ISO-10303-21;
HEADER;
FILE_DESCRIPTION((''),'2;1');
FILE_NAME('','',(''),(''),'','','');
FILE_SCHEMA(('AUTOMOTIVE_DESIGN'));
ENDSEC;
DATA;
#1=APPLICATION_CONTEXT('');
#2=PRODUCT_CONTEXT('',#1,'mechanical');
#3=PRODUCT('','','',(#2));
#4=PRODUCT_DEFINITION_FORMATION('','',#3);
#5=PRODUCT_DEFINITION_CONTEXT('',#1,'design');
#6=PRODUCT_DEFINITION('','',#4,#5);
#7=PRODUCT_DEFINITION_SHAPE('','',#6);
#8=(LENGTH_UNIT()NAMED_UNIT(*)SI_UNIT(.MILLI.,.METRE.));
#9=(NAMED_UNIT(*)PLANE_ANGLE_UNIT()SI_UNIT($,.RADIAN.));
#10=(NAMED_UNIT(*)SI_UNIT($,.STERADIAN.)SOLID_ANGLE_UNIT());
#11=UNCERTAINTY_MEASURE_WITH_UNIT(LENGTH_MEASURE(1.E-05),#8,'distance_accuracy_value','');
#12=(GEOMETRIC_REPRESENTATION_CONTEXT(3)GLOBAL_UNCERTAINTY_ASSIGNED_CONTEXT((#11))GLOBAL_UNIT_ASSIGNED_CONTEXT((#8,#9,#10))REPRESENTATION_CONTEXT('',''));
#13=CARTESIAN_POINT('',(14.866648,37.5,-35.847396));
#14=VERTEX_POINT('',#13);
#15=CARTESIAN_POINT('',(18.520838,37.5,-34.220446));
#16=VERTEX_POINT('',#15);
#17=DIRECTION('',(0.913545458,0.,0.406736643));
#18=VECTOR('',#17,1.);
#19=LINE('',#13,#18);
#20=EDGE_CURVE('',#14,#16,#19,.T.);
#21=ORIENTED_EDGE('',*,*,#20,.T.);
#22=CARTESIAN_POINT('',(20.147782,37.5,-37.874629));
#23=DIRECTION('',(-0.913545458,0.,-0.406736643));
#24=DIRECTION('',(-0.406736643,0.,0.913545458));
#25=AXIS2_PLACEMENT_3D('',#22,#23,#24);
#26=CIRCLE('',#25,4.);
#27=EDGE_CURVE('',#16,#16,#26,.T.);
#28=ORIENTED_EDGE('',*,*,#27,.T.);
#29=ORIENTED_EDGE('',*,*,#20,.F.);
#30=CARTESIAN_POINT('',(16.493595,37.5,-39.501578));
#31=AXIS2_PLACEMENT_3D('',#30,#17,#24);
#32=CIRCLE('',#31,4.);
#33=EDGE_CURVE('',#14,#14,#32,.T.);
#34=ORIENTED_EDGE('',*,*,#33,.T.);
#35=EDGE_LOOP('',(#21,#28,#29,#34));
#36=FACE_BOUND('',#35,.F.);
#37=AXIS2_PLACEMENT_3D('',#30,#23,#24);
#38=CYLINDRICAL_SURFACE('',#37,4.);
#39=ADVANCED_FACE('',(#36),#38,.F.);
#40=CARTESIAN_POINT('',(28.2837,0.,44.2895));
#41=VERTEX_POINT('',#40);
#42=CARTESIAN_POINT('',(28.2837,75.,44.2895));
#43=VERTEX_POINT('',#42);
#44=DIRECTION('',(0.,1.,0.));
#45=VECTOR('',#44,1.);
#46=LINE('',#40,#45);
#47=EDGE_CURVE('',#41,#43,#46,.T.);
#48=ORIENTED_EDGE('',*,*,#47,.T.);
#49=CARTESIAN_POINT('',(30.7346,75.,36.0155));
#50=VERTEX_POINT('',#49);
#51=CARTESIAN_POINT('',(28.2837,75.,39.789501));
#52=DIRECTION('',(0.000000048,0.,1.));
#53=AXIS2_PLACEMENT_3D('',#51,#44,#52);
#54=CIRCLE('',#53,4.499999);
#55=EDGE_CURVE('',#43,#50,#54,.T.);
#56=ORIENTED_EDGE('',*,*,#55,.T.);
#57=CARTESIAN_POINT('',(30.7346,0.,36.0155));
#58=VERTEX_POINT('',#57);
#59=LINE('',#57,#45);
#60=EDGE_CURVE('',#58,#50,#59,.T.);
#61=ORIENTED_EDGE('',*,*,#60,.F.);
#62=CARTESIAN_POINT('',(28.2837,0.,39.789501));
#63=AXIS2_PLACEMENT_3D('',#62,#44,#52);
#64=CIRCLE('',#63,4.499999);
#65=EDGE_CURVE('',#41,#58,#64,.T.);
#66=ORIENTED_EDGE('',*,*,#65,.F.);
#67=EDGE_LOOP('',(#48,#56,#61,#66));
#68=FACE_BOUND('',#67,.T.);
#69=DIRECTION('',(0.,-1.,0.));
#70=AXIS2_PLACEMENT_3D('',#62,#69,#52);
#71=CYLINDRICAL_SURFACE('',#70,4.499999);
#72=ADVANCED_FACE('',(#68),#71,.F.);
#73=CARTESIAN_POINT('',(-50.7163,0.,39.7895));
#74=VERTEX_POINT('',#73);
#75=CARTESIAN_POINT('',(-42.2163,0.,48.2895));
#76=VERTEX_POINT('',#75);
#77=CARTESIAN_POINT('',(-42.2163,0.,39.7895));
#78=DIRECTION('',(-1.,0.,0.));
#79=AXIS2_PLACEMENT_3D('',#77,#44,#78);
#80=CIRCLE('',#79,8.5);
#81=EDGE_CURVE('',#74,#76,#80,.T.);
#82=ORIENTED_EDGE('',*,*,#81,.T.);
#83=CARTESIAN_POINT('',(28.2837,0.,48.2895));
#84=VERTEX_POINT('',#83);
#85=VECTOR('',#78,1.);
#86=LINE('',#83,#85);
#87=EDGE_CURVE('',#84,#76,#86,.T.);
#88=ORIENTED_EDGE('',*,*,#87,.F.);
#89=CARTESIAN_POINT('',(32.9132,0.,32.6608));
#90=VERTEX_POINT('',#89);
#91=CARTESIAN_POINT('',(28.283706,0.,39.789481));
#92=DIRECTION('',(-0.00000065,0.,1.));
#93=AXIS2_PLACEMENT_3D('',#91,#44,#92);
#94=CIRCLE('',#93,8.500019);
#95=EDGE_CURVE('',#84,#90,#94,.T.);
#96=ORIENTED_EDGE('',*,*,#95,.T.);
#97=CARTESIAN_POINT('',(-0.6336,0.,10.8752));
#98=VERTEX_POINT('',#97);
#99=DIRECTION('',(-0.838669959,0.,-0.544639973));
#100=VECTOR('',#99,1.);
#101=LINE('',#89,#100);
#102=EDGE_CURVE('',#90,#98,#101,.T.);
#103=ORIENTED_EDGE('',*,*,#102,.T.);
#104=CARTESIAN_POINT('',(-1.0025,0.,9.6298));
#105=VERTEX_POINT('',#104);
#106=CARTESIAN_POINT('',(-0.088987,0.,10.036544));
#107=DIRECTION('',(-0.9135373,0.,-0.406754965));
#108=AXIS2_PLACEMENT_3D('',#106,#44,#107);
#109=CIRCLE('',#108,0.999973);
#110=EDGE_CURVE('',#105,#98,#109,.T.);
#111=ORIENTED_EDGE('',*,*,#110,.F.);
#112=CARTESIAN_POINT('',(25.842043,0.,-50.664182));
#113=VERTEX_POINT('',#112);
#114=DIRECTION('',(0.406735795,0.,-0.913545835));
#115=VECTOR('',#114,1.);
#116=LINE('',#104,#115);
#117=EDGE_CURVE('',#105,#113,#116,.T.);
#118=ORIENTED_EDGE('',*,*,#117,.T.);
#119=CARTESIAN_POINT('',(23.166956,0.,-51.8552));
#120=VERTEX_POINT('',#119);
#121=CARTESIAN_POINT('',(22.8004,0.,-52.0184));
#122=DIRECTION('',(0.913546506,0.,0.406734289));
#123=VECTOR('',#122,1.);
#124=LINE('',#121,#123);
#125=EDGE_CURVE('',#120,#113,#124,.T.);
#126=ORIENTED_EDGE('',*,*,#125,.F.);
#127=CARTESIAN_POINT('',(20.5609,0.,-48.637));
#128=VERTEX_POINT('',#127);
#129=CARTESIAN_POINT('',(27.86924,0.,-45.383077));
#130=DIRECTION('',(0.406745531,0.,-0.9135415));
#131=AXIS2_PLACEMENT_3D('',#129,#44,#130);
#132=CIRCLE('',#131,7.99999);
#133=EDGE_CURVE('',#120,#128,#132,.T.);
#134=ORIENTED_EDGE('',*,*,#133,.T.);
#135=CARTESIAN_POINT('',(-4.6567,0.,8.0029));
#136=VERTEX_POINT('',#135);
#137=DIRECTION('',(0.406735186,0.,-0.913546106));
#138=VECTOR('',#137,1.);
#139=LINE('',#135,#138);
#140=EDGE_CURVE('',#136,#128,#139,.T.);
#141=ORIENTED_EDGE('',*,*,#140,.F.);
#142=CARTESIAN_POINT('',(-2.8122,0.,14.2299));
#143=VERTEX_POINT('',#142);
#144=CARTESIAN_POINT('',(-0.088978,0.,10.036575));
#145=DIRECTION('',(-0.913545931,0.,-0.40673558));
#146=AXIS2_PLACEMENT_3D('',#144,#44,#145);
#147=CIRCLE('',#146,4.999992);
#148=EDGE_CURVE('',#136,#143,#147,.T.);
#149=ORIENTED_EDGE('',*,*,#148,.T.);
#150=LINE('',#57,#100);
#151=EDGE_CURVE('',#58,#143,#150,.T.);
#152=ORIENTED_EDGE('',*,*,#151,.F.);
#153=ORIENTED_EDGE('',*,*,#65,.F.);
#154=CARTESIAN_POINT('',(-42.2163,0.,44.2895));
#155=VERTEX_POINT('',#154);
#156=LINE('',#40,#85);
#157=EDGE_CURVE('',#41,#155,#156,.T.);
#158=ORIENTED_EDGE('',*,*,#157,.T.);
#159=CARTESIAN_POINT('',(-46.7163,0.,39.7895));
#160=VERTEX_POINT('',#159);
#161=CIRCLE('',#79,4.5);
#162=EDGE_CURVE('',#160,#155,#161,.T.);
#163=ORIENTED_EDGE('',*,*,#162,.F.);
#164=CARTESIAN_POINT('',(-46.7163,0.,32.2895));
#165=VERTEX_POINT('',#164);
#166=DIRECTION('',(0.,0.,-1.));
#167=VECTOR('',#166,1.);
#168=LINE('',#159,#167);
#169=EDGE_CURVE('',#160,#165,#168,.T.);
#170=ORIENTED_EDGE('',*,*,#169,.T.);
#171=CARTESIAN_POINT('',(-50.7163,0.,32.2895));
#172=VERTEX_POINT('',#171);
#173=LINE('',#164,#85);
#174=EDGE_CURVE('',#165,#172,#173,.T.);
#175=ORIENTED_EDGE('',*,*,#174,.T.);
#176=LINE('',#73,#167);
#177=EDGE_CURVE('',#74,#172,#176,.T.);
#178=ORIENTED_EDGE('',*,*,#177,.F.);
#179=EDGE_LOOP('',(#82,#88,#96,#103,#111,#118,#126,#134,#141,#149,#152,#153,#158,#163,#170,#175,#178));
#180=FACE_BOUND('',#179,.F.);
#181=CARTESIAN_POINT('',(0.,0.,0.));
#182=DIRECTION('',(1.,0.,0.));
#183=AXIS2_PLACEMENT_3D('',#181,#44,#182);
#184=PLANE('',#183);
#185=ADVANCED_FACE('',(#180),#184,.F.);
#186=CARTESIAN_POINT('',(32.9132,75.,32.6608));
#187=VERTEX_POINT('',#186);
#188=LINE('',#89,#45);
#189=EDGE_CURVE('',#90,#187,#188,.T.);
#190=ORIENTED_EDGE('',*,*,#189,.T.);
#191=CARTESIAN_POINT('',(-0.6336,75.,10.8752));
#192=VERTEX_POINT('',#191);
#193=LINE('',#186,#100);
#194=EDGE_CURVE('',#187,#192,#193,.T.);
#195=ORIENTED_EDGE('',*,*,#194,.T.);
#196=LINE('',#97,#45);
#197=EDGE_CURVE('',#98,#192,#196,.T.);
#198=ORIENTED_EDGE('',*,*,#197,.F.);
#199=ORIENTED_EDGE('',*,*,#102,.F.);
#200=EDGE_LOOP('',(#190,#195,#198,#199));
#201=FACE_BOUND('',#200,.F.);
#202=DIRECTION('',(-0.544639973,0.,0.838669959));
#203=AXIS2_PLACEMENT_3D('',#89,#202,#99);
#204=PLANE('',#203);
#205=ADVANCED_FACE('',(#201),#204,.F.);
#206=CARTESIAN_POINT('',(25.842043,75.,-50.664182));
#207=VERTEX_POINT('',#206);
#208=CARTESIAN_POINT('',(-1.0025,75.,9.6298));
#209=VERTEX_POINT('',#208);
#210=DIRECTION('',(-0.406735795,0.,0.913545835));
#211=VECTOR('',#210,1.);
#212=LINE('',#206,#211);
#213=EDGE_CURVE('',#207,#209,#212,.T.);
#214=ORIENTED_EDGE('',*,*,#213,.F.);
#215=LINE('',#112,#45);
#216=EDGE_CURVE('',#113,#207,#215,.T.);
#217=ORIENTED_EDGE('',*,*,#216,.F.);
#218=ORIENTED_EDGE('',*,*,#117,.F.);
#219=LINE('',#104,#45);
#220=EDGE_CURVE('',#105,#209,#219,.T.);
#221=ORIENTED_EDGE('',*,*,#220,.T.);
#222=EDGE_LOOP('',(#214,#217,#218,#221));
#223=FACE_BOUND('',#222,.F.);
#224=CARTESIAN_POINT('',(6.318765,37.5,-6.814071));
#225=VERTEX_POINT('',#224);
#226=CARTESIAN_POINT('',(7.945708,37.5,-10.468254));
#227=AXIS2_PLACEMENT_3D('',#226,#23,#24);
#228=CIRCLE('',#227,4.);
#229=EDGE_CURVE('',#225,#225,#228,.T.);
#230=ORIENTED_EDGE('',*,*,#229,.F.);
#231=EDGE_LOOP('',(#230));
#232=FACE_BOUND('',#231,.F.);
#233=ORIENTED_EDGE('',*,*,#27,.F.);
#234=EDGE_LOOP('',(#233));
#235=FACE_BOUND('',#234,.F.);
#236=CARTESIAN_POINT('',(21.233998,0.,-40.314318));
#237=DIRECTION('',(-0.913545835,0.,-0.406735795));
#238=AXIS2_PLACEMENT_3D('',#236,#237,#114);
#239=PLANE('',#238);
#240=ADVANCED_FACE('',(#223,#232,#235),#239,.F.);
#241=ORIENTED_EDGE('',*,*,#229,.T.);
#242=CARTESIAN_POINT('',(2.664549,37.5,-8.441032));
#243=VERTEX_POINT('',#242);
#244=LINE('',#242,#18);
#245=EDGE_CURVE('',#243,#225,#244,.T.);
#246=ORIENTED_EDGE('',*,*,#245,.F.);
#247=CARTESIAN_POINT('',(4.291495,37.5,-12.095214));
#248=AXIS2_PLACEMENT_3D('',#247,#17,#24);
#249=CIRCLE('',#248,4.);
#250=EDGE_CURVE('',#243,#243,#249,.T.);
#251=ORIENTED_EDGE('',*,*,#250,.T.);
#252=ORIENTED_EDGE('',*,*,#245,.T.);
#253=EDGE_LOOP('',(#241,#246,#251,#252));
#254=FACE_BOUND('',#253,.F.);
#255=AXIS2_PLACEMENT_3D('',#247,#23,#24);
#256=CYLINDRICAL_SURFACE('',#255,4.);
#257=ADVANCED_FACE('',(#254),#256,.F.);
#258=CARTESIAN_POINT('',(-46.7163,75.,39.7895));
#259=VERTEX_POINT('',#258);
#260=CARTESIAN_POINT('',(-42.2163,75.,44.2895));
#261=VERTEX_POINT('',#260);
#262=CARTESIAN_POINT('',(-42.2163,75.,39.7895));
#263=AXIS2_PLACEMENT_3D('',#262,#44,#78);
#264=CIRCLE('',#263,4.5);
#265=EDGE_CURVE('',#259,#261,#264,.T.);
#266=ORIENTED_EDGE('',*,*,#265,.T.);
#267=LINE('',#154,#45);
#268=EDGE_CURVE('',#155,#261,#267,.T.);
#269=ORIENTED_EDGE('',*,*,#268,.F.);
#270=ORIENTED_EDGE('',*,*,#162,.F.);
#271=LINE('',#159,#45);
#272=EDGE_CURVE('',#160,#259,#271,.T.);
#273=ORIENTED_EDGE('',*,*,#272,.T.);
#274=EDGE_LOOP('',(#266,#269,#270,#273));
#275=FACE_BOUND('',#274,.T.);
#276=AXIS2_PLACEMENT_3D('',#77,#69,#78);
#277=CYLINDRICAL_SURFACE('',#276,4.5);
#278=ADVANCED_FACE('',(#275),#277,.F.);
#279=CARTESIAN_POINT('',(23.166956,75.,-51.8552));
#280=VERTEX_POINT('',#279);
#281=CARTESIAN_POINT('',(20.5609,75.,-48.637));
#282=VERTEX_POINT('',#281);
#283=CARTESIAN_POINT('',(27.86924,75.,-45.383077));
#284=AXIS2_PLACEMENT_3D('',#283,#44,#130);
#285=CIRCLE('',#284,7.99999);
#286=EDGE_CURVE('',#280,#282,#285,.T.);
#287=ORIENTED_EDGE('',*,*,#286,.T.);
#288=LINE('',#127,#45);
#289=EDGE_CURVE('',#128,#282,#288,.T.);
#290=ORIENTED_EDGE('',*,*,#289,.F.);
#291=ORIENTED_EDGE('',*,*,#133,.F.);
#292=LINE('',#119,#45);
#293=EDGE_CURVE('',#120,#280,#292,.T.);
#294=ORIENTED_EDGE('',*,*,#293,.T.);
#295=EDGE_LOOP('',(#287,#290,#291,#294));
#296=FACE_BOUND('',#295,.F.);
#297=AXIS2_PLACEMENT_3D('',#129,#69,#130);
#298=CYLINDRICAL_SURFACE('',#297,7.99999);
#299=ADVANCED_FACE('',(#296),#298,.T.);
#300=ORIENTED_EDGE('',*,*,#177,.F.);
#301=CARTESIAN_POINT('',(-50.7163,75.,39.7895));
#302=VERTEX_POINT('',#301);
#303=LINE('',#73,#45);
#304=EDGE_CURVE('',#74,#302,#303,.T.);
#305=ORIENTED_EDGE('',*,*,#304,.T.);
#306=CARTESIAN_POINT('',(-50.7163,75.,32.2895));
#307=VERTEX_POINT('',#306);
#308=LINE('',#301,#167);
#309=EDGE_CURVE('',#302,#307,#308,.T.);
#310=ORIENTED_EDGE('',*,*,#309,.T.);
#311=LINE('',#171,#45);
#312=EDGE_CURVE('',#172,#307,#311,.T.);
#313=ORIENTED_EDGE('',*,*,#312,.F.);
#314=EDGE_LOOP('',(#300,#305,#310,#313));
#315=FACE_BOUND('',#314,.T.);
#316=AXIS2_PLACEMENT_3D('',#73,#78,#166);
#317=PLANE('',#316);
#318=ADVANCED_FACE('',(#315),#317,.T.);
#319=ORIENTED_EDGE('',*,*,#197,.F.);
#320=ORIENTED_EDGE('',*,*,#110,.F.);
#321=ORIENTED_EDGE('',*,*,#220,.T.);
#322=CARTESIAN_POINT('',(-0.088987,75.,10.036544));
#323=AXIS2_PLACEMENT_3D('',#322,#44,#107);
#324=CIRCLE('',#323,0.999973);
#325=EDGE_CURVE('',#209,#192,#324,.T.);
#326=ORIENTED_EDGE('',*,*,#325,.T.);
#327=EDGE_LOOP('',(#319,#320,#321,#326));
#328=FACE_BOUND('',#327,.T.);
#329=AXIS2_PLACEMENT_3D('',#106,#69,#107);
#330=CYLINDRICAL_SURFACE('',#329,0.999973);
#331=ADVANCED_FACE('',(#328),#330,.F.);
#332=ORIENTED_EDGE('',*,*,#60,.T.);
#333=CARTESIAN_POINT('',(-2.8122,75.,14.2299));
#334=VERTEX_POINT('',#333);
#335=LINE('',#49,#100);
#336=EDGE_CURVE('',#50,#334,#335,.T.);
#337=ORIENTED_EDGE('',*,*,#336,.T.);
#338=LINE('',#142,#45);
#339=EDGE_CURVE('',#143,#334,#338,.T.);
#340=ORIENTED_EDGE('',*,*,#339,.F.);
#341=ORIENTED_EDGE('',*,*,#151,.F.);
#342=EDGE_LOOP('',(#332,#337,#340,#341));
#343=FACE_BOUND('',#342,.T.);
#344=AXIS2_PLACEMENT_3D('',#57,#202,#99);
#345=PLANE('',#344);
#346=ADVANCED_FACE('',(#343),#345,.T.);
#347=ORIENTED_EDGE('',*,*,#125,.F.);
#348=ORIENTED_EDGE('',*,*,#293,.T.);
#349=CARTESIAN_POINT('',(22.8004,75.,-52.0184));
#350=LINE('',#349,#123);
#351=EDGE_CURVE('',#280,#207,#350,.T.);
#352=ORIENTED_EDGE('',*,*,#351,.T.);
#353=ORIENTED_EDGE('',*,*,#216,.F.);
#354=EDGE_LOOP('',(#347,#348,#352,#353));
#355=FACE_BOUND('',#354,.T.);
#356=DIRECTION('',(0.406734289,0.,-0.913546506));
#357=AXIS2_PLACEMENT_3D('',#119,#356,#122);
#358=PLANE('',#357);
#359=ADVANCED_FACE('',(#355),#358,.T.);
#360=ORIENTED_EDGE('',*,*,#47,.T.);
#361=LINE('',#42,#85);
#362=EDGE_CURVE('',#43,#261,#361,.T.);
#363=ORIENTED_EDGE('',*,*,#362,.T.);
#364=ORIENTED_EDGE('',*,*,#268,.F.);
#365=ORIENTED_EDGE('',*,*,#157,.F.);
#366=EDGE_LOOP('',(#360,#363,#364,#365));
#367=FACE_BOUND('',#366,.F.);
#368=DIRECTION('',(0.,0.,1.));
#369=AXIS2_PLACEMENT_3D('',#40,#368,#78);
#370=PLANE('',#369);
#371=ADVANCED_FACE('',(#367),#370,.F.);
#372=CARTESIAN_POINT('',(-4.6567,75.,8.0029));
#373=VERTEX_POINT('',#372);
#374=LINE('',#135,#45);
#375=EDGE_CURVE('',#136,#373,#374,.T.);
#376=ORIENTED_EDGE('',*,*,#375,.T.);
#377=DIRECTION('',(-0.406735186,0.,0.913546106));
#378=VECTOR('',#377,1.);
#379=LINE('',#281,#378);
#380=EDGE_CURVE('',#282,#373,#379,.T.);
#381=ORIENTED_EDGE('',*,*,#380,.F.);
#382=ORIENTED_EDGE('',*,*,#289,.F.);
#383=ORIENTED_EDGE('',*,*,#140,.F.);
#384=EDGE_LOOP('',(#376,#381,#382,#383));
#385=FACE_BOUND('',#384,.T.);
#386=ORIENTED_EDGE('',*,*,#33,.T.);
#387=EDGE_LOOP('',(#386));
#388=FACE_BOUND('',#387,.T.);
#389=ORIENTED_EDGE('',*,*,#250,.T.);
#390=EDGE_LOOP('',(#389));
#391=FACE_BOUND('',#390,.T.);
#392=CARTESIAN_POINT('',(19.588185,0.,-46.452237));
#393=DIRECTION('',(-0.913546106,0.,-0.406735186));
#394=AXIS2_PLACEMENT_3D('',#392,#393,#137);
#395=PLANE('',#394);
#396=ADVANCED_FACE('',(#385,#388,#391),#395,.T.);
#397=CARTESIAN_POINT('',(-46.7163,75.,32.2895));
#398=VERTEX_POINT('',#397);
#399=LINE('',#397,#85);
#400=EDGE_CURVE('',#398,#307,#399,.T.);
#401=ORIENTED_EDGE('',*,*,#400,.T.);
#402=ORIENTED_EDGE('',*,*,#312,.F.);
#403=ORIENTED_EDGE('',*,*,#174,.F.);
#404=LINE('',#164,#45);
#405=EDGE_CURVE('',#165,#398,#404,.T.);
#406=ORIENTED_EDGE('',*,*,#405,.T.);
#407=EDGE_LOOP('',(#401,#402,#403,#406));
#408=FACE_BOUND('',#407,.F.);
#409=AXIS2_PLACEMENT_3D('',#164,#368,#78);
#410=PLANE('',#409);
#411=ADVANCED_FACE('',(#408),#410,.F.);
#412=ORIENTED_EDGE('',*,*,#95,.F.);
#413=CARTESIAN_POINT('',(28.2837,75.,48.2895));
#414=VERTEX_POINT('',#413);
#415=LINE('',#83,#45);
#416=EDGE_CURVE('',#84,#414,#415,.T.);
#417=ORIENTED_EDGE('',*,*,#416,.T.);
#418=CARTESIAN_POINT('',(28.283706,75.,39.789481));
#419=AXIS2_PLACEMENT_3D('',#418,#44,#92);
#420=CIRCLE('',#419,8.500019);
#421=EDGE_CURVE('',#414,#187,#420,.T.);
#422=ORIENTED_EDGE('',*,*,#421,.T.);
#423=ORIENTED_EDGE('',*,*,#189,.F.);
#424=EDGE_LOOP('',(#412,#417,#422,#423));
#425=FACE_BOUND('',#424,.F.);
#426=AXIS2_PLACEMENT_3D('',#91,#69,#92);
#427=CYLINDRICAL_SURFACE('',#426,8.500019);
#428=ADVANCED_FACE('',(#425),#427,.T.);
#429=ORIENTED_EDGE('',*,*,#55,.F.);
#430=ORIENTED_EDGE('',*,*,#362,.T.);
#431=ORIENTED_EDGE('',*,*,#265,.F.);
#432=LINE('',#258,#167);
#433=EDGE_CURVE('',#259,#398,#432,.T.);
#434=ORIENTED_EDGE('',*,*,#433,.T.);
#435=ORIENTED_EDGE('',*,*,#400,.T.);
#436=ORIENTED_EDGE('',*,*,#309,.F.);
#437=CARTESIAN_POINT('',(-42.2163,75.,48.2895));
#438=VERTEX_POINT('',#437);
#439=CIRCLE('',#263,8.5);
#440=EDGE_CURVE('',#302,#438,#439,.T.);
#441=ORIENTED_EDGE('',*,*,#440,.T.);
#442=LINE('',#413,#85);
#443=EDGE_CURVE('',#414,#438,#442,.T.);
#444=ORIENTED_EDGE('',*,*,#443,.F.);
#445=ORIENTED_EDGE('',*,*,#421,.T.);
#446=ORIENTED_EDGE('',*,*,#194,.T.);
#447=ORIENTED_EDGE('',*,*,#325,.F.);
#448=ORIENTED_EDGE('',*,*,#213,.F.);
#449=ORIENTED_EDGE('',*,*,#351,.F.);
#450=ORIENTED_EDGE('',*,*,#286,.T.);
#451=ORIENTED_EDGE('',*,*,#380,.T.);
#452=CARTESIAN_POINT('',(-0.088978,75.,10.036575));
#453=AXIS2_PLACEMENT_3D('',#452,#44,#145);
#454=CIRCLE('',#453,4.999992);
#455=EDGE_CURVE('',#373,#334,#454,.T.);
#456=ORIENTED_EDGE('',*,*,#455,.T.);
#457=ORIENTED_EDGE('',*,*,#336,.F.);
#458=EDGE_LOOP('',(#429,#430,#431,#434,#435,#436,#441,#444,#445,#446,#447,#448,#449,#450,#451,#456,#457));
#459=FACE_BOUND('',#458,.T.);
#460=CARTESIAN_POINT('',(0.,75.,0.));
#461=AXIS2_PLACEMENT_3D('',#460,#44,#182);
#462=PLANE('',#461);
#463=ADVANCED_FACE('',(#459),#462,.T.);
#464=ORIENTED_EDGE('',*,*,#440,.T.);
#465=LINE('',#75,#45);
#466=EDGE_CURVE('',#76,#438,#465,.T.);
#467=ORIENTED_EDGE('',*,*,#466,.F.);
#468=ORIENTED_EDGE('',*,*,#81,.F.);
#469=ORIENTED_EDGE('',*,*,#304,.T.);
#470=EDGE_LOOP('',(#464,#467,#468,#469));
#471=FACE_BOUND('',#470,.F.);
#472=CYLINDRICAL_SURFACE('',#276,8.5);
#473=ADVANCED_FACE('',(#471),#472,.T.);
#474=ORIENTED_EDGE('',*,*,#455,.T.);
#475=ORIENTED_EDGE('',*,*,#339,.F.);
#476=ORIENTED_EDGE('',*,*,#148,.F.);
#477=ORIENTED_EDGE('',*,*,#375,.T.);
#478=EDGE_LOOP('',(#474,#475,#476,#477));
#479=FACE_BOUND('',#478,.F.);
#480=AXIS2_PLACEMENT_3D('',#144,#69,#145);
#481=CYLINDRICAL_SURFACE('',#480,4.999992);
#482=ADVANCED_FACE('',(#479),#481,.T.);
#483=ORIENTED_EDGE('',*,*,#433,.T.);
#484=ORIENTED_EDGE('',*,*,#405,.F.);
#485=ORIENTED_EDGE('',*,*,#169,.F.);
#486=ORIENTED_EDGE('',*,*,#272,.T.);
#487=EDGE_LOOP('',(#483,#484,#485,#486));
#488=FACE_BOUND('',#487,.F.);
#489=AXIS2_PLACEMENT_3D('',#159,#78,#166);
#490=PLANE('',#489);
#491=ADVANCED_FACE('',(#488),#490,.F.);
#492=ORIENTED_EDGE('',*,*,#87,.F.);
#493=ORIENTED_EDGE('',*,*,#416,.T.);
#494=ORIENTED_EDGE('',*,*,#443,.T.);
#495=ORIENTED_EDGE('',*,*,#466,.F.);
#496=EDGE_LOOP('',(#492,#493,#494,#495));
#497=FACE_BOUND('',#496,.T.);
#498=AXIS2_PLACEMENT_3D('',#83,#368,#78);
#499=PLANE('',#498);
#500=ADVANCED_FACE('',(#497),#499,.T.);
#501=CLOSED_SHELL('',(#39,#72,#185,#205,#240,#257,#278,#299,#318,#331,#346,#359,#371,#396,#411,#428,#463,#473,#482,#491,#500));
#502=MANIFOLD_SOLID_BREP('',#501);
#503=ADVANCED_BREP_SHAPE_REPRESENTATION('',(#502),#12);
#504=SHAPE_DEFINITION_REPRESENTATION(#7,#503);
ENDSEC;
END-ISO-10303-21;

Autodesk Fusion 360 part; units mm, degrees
sketch "Sketch1" plane through (0, 0, 0) normal (0, 1, 0) x (1, 0, 0)
  arc A0 (31.1232, 52.6914) -> (20.5609, 48.637) centre (27.8693, 45.3831) ccw
  line L0 (31.1232, 52.6914) -> (40.2587, 48.6241)
  arc A1 (28.2837, -48.2895) -> (32.9132, -32.6608) centre (28.2837, -39.7895) ccw
  line L1 (28.2837, -48.2895) -> (-42.2163, -48.2895)
  arc A2 (-4.6567, -8.0029) -> (-2.8122, -14.2299) centre (-0.089, -10.0365) ccw
  line L2 (22.8004, 52.0184) -> (38.6317, 44.9699)
  line L3 (-46.7163, -32.2895) -> (-50.7163, -32.2895)
  line L4 (35.3386, -39.0053) -> (-23.3345, -39.0053) construction
  arc A3 (28.2837, -44.2895) -> (30.7346, -36.0155) centre (28.2837, -39.7895) ccw
  line L5 (40.2587, 48.6241) -> (38.6317, 44.9699)
  line L6 (30.7346, -36.0155) -> (-2.8122, -14.2299)
  line L7 (-50.7163, -39.7895) -> (-50.7163, -32.2895)
  line L8 (32.9132, -32.6608) -> (-0.6336, -10.8752)
  arc A4 (-46.7163, -39.7895) -> (-42.2163, -44.2895) centre (-42.2163, -39.7895) ccw
  arc A5 (-50.7163, -39.7895) -> (-42.2163, -48.2895) centre (-42.2163, -39.7895) ccw
  line L9 (-4.6567, -8.0029) -> (20.5609, 48.637)
  line L10 (28.2837, -44.2895) -> (-42.2163, -44.2895)
  line L11 (-46.7163, -39.7895) -> (-46.7163, -32.2895)
  arc A6 (22.8004, 52.0184) -> (27.1963, 53.7059) centre (27.8693, 45.3831) ccw
  arc A7 (-1.0025, -9.6298) -> (-0.6336, -10.8752) centre (-0.089, -10.0365) ccw
  line L12 (-1.0025, -9.6298) -> (27.1963, 53.7059)
  point P0 (35.3386, -39.0053)
  point P1 (-46.7163, -44.2895)
  point P2 (23.8148, 55.9453)
  dimension "d1" = 33
  dimension "d2" = 66
  dimension "d3" = 4.5
  dimension "d4" = 5
  dimension "d5" = 12
  dimension "d6" = 18
  dimension "d10" = 75
  dimension "d11" = 70
  dimension "d12" = 40
  dimension "d13" = 8
  dimension "d14" = 4.5
extrude "Extrude1" add sketch "Sketch1" along normal blind 75 contours A0 L2 L9 A6 L12 | A1 L1 A2 L3 A3 L6 L7 L8 A4 A5 L9 L10 L11 A6 A7 L12
sketch "Sketch2" plane through (-0.9127, 0, -0.4064) normal (-0.9135, 0, -0.4067) x (-0.4067, 0, 0.9135)
  line L0 (-52.795, 0) -> (9.205, 0)
  line L1 (9.205, 0) -> (9.205, 75)
  line L2 (9.205, 75) -> (-52.795, 75)
  line L3 (-52.795, 75) -> (-52.795, 0)
  circle A0 centre (-42.795, 37.5) radius 4
  circle A1 centre (-12.795, 37.5) radius 4
  line L4 (-31.6238, 0) -> (-31.6238, 75)
  line L5 (9.205, 37.5) -> (-64.6996, 37.5)
  dimension "d17" = 8
  dimension "d18" = 8
  dimension "d23" = 10
  dimension "d24" = 30
extrude "Extrude2" cut sketch "Sketch2" along normal blind 18 and the other way blind 25 contours A0 L5 | A0 L5 | A1 L5 | A1 L5
